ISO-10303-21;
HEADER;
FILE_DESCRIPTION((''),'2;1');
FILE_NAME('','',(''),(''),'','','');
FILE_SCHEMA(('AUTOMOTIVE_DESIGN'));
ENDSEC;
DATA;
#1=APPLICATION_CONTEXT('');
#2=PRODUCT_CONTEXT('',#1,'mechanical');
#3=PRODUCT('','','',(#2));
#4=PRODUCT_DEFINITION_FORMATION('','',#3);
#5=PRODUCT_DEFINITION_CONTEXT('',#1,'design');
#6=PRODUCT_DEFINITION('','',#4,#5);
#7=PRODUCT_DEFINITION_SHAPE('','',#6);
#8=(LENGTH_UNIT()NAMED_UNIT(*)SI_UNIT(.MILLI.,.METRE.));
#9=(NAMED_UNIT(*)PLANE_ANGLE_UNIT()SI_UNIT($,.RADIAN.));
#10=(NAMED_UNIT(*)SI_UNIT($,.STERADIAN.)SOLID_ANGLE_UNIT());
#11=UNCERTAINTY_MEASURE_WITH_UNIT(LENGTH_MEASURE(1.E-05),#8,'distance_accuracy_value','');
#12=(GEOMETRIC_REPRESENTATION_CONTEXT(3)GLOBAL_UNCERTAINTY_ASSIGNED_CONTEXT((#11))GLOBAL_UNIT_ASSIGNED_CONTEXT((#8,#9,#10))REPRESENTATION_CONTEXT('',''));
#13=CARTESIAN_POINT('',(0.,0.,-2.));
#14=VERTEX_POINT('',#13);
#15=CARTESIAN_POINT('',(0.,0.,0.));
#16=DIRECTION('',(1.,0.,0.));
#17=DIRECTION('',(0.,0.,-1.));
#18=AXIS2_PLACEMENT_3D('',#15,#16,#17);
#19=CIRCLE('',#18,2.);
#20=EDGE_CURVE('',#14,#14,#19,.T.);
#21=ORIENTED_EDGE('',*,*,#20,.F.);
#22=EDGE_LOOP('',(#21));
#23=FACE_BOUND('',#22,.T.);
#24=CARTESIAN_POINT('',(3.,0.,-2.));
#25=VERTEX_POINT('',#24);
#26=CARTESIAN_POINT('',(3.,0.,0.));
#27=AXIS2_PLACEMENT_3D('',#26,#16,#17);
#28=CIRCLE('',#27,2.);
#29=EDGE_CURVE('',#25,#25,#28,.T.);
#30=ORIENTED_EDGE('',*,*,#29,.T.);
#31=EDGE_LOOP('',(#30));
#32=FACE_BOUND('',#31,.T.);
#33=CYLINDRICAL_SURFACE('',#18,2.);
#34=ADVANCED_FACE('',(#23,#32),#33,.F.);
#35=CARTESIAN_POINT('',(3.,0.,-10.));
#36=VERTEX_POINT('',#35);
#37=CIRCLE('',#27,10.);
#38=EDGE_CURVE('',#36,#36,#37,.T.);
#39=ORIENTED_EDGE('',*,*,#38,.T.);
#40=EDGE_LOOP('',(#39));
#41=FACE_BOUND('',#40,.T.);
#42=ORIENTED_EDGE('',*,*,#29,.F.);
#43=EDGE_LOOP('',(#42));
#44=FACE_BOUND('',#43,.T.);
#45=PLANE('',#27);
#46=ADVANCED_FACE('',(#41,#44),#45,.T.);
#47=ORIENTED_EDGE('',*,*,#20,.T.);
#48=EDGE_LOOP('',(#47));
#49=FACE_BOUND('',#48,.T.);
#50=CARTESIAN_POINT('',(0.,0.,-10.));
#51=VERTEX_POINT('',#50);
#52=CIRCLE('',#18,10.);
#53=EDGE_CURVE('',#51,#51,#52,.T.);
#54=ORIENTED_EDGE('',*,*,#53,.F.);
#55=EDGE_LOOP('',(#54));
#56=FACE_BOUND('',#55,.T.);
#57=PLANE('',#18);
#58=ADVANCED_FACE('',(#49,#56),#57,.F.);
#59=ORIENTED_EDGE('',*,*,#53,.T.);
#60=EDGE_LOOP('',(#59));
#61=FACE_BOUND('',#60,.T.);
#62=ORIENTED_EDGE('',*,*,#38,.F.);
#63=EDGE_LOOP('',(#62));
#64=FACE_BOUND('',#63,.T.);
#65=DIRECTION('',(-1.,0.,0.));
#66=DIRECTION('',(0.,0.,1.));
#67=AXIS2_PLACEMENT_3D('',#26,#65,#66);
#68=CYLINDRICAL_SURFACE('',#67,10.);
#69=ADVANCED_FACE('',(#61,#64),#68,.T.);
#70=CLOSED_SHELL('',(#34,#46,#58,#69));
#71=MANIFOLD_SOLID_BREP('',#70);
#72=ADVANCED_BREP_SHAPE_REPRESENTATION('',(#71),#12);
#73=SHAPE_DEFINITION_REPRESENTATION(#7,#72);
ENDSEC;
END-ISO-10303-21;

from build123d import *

# Parameters (mm, degrees)
SKETCH_1_R          = 10
EXTRUDE_1_DEPTH     = 3
SKETCH_2_R          = 2
CUT_EXTRUDE_1_DEPTH = 3


with BuildPart() as part:
    # 草图1 → 凸台-拉伸1 (new body)
    with BuildSketch(Plane(origin=(0, 0, 0), x_dir=(0, 0, -1), z_dir=(1, 0, 0))):
        Circle(SKETCH_1_R)
    extrude(amount=EXTRUDE_1_DEPTH)

    # 草图2 → 切除-拉伸1 (cut)
    with BuildSketch(Plane(origin=(3, 0, 0), x_dir=(0, 0, -1), z_dir=(1, 0, 0))):
        Circle(SKETCH_2_R)
    extrude(amount=-CUT_EXTRUDE_1_DEPTH, mode=Mode.SUBTRACT)


solid = part.part
